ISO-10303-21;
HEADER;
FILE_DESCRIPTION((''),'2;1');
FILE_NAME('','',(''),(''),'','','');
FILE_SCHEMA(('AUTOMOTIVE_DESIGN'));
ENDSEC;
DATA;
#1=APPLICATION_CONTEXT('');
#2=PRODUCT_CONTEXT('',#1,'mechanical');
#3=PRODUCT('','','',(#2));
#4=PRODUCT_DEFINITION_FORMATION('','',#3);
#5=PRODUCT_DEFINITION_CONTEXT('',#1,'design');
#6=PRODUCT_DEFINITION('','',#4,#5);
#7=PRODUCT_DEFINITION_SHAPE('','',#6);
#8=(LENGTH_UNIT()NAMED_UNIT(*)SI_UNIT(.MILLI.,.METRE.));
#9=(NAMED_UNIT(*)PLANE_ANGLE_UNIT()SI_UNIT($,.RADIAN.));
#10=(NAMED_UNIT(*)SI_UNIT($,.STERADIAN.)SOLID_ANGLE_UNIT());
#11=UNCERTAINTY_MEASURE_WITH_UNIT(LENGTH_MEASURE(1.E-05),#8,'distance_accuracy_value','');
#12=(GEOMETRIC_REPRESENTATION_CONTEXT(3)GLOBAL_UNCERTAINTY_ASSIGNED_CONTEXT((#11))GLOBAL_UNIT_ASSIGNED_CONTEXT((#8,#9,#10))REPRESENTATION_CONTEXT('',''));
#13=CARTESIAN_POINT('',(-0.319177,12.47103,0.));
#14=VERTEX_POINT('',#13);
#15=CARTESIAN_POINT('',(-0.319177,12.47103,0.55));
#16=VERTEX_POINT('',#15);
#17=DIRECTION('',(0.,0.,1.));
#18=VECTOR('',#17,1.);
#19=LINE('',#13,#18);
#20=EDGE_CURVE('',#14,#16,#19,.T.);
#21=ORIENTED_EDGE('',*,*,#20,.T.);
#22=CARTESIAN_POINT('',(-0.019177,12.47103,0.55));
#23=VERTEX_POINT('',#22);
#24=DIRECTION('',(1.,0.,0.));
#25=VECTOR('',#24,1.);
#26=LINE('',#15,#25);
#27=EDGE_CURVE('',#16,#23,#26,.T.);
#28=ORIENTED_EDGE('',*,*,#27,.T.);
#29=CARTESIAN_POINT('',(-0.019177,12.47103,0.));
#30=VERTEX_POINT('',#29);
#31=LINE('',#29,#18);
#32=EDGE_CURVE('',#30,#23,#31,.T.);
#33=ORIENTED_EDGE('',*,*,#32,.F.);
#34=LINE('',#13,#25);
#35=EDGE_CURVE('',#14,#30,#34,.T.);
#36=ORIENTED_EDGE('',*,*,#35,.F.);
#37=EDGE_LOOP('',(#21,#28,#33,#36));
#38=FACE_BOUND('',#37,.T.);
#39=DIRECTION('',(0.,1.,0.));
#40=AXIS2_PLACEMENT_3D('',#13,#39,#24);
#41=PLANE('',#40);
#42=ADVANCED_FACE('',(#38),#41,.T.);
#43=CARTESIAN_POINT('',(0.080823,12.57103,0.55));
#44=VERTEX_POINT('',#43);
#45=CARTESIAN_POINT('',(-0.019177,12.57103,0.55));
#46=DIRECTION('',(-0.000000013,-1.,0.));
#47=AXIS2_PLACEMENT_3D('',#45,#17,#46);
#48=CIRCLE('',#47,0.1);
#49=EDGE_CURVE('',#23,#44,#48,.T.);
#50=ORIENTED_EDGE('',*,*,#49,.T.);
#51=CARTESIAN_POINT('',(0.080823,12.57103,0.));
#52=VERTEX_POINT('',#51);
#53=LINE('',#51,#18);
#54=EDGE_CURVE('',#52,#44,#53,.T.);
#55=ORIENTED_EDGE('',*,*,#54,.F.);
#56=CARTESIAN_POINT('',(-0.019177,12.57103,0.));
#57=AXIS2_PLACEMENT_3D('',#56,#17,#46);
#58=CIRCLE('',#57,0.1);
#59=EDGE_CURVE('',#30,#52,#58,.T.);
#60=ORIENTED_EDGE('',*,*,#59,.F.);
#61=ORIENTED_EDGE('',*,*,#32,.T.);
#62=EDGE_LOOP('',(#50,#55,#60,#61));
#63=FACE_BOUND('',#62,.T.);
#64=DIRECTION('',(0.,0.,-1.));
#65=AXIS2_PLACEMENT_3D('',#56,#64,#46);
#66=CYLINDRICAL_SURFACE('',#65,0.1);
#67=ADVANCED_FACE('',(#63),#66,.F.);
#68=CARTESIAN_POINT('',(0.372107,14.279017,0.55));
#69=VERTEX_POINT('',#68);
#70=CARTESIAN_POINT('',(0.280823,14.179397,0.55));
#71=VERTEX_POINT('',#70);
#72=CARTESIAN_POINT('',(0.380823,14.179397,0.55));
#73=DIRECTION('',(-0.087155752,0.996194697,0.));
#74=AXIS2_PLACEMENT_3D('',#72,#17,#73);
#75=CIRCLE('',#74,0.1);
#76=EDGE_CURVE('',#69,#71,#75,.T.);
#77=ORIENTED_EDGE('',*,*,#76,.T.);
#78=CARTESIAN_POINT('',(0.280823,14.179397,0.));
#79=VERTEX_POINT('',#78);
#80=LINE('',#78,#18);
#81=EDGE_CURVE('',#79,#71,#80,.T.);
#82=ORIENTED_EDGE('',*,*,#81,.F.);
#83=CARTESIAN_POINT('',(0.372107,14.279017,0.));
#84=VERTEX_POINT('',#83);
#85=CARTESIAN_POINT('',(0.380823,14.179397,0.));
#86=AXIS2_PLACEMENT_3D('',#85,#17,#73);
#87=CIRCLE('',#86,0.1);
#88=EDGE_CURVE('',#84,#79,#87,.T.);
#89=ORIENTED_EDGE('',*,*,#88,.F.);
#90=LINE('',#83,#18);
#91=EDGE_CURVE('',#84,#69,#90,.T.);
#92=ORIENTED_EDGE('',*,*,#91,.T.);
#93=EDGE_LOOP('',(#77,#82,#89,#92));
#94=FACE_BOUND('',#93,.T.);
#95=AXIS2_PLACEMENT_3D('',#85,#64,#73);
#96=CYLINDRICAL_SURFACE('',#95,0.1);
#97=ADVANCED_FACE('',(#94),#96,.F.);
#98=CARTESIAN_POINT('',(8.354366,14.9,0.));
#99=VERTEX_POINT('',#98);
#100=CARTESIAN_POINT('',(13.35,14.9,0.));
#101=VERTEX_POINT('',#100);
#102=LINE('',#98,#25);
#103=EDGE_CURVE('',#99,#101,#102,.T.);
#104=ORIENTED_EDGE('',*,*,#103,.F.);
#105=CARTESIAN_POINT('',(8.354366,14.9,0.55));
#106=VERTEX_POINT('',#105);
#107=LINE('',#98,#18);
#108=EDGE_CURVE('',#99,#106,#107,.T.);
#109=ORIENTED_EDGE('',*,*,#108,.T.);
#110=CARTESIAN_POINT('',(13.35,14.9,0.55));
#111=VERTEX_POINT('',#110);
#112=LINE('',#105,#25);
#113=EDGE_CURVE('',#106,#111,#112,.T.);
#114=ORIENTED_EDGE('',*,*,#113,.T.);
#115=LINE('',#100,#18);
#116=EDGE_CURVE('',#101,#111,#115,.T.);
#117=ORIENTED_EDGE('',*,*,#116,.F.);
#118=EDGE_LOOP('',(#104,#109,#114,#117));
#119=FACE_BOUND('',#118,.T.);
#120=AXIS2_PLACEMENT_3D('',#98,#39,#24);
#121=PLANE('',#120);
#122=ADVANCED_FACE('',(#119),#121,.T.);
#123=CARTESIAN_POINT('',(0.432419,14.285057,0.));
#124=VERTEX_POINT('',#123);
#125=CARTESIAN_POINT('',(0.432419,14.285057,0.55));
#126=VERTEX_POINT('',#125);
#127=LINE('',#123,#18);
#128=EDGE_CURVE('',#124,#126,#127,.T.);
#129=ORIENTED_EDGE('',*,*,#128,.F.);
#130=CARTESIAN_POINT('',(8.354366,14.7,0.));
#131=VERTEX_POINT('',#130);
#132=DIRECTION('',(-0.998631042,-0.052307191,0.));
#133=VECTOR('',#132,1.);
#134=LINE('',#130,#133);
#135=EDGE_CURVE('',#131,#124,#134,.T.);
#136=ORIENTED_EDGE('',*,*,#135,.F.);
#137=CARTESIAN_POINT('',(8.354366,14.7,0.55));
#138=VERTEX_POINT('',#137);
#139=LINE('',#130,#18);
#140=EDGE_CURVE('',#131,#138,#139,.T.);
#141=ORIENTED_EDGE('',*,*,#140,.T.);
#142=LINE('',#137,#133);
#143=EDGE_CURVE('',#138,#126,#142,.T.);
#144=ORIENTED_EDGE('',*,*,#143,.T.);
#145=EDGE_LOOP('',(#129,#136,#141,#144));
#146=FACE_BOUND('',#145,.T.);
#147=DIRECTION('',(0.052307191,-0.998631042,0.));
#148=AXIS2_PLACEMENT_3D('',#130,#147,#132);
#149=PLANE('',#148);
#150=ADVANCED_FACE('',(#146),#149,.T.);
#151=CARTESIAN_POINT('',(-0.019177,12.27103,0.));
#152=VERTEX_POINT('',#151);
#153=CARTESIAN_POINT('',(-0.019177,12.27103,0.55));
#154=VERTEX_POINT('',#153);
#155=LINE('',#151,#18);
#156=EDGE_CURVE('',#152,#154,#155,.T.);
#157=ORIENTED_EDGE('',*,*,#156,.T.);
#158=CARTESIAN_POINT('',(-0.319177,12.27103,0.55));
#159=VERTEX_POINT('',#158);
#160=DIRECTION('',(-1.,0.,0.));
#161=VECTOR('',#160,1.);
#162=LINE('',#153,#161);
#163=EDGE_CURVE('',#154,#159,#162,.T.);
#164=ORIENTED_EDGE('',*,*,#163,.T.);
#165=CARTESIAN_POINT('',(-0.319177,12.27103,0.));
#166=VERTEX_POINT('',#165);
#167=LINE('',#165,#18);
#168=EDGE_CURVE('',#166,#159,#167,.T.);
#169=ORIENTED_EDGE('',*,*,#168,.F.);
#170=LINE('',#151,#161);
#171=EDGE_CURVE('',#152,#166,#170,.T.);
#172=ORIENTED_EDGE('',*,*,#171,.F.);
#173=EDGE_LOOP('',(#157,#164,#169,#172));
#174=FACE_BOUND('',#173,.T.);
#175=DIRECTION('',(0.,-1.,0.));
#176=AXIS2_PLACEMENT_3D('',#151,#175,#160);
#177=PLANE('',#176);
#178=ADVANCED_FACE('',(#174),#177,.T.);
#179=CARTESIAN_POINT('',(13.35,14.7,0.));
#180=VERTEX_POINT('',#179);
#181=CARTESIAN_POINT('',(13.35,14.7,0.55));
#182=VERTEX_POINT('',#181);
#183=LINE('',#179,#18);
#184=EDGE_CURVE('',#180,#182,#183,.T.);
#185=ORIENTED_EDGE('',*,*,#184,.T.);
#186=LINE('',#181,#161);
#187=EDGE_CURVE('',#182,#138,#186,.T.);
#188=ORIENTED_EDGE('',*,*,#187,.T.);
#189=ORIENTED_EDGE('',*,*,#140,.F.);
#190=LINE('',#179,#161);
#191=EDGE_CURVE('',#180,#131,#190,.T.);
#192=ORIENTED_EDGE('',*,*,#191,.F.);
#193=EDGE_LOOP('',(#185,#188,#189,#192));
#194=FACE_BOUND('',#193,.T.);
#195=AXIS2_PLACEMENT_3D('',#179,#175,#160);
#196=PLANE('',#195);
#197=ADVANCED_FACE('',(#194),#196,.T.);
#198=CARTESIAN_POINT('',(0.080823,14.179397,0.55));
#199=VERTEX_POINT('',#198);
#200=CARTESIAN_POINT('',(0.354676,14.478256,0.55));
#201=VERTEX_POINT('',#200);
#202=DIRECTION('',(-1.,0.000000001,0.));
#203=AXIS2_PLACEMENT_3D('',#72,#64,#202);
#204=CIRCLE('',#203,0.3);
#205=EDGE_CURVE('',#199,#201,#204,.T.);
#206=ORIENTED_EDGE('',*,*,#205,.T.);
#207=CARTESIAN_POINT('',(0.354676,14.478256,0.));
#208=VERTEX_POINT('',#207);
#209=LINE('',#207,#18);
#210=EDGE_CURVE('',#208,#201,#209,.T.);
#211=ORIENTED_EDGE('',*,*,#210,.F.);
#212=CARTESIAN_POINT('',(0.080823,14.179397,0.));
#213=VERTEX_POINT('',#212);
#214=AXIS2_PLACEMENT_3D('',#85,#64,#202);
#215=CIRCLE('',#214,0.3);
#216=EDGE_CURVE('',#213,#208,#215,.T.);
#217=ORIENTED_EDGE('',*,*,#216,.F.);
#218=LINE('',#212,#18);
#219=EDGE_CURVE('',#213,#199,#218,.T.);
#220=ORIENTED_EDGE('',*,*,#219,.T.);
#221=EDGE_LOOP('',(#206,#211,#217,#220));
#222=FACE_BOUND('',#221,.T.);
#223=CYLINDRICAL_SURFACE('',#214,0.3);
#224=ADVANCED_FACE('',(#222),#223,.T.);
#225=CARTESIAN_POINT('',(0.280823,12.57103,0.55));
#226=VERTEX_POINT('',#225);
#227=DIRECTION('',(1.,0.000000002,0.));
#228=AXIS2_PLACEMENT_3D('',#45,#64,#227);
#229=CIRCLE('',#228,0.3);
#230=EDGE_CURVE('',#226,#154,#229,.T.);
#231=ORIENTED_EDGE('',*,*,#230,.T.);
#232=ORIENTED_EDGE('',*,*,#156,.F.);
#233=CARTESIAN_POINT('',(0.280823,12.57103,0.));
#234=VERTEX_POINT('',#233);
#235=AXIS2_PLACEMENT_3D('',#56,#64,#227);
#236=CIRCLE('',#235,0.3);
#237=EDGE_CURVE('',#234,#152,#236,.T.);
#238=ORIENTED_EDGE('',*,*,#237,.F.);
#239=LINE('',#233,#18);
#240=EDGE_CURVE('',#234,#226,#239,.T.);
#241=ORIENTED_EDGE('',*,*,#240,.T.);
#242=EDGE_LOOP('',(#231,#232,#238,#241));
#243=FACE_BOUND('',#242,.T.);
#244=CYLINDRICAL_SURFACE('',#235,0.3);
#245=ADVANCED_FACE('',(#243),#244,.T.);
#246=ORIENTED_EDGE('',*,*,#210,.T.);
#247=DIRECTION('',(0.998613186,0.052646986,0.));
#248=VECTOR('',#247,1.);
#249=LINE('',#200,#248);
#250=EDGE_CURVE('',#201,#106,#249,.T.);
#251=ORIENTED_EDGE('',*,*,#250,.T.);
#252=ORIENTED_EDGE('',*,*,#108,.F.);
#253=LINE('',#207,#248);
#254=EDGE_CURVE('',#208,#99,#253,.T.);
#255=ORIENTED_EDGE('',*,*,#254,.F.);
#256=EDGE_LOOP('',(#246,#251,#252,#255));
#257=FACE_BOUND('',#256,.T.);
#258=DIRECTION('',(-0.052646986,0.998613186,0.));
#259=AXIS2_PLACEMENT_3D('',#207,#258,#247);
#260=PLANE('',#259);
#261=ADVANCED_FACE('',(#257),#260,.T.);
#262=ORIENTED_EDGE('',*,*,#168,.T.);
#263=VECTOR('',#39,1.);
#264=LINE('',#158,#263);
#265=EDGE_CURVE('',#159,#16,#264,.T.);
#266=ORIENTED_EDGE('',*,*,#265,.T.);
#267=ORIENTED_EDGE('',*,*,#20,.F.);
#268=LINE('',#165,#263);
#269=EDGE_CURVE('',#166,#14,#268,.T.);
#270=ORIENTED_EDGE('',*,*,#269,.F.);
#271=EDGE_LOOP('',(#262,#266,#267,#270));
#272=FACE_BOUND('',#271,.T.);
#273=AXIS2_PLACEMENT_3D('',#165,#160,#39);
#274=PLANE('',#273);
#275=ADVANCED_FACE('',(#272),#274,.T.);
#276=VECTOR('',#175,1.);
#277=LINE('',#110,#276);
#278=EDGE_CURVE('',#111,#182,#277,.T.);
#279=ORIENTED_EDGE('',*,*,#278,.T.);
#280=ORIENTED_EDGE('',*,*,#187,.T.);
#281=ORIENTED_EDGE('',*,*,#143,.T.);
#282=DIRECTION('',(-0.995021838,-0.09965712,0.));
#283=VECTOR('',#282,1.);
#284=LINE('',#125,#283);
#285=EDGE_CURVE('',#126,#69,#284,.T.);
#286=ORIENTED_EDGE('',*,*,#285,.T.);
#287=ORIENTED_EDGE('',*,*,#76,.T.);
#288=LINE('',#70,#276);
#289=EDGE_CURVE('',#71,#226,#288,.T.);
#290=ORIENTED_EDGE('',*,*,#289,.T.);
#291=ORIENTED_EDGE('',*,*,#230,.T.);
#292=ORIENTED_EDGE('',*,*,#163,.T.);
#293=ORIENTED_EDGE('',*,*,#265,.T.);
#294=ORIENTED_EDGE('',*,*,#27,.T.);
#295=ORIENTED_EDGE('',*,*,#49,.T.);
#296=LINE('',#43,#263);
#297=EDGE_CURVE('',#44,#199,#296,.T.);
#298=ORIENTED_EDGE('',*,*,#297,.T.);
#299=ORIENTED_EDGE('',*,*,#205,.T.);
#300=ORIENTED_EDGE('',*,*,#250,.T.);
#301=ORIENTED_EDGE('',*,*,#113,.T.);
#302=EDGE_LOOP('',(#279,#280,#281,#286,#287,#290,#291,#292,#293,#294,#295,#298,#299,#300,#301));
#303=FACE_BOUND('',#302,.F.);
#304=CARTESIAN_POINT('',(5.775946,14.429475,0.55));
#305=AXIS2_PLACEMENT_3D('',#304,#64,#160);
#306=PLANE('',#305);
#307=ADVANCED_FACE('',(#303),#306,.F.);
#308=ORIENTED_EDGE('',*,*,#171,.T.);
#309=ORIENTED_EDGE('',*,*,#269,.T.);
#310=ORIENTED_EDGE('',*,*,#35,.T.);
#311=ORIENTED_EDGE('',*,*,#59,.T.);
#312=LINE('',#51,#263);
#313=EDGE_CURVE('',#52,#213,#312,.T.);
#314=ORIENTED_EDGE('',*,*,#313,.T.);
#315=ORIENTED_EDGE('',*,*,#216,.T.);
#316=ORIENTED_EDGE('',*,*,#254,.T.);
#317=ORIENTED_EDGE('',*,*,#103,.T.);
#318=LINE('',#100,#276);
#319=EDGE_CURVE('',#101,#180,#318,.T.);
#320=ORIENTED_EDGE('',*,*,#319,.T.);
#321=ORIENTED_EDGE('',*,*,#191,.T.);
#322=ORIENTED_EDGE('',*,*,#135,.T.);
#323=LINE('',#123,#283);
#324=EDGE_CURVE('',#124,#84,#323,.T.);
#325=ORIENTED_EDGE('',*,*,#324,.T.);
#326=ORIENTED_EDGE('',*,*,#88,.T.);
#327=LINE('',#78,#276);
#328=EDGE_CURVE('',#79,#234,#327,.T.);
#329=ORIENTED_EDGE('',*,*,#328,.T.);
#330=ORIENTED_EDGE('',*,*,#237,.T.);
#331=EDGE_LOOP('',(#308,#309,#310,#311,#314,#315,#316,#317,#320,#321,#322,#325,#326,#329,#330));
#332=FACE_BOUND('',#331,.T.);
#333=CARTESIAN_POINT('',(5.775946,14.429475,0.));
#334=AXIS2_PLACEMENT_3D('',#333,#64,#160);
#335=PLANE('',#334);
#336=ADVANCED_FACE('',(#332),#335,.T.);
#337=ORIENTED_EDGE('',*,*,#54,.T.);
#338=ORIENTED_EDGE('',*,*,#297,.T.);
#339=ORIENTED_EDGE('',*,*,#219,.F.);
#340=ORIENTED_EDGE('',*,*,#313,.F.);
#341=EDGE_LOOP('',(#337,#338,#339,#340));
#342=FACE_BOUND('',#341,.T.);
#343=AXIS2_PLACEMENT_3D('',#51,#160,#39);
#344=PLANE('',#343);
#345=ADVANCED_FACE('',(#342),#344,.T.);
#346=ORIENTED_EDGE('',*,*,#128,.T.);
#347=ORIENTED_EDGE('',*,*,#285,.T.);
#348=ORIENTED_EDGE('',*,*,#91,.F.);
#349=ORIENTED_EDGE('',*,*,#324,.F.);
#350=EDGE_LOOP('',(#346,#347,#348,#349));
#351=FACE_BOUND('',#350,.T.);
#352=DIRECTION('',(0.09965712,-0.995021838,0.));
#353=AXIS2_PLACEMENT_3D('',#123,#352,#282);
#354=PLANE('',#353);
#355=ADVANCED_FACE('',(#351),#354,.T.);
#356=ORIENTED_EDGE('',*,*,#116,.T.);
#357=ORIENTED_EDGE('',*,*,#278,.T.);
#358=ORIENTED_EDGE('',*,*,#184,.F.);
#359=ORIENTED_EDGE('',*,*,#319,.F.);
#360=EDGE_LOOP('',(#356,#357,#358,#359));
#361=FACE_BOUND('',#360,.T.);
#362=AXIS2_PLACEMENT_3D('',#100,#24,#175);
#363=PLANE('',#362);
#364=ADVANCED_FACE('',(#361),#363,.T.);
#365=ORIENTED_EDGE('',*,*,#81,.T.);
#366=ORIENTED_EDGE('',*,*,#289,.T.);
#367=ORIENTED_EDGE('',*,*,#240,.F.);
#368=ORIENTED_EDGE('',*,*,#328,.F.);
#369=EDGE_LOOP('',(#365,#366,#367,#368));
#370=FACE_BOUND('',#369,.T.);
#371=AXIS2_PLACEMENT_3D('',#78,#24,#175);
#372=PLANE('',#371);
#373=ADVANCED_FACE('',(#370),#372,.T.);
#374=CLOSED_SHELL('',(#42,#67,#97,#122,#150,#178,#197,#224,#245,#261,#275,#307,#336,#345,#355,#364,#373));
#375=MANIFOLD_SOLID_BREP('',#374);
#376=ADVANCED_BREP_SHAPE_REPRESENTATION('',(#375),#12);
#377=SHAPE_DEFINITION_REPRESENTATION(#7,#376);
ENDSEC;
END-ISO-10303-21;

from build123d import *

# Parameters (mm, degrees)
RESSALTO_EXTRUS_O1_DEPTH = 0.55


with BuildPart() as part:
    # Esboço1 → Ressalto-extrusão1 (new body)
    with BuildSketch(Plane.XY):
        with BuildLine():
            Line((-0.319177055, 12.471030264), (-0.019177055, 12.471030264))
            ThreePointArc((-0.019177055, 12.471030264), (0.051533624, 12.500319586), (0.080822945, 12.571030264))
            Line((0.080822945, 12.571030264), (0.080822945, 14.179397147))
            ThreePointArc((0.080822945, 14.179397147), (0.159639744, 14.382074209), (0.354676223, 14.478255556))
            Line((0.354676223, 14.478255556), (8.354366094, 14.9))
            Line((8.354366094, 14.9), (13.35, 14.9))
            Line((13.35, 14.9), (13.35, 14.7))
            Line((13.35, 14.7), (8.354366094, 14.7))
            Line((8.354366094, 14.7), (0.432418849, 14.285057155))
            Line((0.432418849, 14.285057155), (0.372107371, 14.279016616))
            ThreePointArc((0.372107371, 14.279016616), (0.307095212, 14.246956167), (0.280822945, 14.179397147))
            Line((0.280822945, 14.179397147), (0.280822945, 12.571030264))
            ThreePointArc((0.280822945, 12.571030264), (0.19295498, 12.35889823), (-0.019177055, 12.271030264))
            Line((-0.019177055, 12.271030264), (-0.319177055, 12.271030264))
            Line((-0.319177055, 12.271030264), (-0.319177055, 12.471030264))
        make_face()
    extrude(amount=RESSALTO_EXTRUS_O1_DEPTH)


solid = part.part
